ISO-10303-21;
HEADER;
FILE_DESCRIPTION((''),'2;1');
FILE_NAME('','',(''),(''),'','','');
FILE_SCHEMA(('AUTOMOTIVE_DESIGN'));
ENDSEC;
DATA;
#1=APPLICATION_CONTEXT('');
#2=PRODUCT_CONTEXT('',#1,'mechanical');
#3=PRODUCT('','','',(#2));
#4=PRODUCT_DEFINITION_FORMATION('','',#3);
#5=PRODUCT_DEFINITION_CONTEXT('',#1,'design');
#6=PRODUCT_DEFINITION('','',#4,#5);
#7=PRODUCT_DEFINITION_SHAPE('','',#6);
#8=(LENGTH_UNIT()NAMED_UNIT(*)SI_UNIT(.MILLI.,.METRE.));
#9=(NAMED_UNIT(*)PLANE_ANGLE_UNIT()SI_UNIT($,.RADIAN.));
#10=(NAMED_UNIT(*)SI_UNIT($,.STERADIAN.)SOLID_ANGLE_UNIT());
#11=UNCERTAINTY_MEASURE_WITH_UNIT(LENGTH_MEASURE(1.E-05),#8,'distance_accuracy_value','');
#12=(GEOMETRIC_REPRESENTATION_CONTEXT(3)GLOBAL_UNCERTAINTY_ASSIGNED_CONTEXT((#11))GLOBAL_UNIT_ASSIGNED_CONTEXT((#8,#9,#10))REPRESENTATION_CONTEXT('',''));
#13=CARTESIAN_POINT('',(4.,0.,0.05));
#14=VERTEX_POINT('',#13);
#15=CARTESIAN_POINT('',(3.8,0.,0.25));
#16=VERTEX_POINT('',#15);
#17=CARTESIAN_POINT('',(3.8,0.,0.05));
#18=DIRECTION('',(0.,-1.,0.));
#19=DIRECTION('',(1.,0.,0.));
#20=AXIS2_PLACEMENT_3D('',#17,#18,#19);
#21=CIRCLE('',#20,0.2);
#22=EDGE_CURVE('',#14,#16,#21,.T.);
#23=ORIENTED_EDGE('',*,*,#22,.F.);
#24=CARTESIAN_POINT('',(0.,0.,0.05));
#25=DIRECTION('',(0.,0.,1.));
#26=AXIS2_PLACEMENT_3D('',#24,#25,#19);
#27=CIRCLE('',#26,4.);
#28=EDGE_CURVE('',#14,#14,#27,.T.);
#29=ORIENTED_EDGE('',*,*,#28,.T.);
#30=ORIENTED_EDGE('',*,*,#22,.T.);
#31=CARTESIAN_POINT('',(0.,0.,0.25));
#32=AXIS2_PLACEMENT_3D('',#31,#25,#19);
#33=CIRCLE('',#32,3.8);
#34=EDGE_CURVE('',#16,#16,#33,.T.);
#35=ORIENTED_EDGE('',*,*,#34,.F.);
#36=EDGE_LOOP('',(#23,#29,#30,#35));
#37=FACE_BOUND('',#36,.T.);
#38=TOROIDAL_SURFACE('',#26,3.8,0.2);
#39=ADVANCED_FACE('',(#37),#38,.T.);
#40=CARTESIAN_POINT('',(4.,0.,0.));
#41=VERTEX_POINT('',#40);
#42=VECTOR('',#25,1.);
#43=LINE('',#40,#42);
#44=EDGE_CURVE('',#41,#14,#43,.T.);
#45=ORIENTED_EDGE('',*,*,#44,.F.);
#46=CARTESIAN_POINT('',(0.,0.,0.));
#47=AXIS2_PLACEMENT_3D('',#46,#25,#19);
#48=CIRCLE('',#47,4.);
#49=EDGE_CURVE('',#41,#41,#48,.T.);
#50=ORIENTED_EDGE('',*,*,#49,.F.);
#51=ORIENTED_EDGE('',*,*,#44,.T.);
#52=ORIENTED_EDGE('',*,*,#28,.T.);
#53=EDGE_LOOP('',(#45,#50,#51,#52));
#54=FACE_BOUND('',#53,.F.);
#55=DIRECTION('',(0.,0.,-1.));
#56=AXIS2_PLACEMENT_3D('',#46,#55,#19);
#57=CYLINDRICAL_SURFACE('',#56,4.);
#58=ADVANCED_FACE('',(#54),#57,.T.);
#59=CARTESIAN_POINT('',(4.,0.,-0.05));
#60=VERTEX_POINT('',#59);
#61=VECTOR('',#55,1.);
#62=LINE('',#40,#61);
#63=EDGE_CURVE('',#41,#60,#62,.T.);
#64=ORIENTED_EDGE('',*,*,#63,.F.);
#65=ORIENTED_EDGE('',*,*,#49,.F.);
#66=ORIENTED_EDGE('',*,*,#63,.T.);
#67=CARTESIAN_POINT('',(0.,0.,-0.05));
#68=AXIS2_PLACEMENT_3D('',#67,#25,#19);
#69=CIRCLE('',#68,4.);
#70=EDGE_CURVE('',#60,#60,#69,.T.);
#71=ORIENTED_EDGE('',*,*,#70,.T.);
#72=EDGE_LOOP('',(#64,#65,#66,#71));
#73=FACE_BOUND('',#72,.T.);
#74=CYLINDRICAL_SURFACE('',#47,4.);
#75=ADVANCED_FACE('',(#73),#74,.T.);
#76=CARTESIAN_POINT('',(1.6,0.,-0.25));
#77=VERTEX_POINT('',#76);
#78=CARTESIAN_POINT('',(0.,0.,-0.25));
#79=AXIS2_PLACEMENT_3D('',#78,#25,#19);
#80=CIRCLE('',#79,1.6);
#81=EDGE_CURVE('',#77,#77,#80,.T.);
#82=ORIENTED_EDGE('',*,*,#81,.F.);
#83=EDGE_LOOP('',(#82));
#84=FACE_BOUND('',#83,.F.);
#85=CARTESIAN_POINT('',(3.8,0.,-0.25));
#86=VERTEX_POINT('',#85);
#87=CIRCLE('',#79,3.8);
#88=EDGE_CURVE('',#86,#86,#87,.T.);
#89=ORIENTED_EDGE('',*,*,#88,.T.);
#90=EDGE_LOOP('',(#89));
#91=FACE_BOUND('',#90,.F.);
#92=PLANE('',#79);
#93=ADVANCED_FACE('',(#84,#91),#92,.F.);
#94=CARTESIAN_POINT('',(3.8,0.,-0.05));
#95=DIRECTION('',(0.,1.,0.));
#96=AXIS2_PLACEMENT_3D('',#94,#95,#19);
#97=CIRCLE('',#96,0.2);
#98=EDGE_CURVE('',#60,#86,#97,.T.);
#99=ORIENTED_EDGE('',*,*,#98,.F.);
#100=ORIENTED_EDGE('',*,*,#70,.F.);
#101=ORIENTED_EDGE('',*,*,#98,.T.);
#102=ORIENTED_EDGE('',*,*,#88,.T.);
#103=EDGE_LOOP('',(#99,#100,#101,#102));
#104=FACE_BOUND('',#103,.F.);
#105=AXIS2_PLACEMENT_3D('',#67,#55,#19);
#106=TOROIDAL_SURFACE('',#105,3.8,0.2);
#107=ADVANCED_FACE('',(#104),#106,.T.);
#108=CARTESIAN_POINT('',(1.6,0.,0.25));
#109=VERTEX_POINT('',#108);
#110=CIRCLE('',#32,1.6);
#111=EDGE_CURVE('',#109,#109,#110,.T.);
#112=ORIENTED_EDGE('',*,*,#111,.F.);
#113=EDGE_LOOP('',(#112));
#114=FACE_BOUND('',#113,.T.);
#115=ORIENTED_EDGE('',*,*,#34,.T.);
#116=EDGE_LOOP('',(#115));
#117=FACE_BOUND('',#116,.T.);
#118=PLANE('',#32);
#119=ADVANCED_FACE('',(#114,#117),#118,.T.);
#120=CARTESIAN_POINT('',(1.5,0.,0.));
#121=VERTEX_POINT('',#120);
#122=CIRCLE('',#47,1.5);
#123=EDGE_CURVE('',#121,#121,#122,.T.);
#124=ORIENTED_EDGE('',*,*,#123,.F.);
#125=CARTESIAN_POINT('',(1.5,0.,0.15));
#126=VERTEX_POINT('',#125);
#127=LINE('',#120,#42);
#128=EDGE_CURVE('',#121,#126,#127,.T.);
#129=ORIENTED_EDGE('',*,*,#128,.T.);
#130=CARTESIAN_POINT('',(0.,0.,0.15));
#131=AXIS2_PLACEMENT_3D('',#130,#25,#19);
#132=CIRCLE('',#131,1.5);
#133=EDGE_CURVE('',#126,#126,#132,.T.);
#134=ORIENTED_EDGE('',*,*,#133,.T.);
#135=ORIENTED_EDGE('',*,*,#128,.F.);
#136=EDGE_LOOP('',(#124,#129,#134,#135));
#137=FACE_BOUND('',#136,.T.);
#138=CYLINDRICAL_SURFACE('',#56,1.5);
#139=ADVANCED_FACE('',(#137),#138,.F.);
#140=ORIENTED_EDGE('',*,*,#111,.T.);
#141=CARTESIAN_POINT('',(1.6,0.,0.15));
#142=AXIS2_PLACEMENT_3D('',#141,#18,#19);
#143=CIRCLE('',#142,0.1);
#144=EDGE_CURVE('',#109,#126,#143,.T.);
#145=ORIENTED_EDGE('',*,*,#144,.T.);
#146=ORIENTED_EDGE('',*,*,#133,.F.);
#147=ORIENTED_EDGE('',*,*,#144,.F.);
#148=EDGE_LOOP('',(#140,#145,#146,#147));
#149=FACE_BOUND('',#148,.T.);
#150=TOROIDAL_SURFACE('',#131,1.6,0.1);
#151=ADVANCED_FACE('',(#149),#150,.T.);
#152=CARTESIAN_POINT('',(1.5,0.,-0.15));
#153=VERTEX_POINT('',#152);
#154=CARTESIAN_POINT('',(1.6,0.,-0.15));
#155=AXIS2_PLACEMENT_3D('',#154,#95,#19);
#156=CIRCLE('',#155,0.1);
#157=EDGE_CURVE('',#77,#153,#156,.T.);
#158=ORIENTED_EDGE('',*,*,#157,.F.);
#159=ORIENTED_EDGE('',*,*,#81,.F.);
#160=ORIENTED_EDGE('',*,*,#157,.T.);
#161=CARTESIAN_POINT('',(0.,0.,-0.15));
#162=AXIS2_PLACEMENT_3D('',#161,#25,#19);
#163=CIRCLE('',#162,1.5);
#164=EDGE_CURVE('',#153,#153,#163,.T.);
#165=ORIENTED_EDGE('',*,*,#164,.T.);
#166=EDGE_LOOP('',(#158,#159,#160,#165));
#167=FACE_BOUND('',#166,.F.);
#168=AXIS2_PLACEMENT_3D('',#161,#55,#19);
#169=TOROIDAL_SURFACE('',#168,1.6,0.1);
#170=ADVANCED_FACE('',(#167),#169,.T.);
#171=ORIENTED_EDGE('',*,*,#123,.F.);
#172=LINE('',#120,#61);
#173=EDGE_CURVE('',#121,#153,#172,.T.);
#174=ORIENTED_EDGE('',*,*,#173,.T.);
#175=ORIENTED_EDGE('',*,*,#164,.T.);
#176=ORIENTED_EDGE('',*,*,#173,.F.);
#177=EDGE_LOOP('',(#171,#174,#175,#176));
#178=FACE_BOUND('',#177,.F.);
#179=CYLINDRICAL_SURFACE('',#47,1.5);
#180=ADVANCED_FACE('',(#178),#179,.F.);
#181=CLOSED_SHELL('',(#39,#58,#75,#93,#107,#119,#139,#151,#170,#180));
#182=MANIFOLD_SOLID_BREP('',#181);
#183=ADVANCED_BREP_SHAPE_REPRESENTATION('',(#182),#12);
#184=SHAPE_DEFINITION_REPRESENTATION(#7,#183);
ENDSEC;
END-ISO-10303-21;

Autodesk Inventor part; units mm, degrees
ref_plane "YZ Plane" through (0, 0, 0) normal (1, 0, 0) x (0, 1, 0)
ref_plane "XZ Plane" through (0, 0, 0) normal (0, 1, 0) x (-1, 0, 0)
ref_plane "XY Plane" through (0, 0, 0) normal (0, 0, 1) x (1, 0, 0)
sketch "Sketch1" plane through (0, 0, 0) normal (0, 0, 1) x (1, 0, 0)
  circle A0 centre (0, 0) radius 1.5
  circle A1 centre (0, 0) radius 4
  dimension "Di" = 3
  dimension "D" = 8
extrude "Extrusion1" add sketch "Sketch1" along normal mid plane 0.5
fillet "Fillet1" radius 0.2 2 edges at (-4, 0, 0.25) (-4, 0, -0.25)
fillet "Fillet2" radius 0.1 2 edges at (-1.5, 0, 0.25) (-1.5, 0, -0.25)
properties part number "Anilha_M3" material "Stainless Steel"
